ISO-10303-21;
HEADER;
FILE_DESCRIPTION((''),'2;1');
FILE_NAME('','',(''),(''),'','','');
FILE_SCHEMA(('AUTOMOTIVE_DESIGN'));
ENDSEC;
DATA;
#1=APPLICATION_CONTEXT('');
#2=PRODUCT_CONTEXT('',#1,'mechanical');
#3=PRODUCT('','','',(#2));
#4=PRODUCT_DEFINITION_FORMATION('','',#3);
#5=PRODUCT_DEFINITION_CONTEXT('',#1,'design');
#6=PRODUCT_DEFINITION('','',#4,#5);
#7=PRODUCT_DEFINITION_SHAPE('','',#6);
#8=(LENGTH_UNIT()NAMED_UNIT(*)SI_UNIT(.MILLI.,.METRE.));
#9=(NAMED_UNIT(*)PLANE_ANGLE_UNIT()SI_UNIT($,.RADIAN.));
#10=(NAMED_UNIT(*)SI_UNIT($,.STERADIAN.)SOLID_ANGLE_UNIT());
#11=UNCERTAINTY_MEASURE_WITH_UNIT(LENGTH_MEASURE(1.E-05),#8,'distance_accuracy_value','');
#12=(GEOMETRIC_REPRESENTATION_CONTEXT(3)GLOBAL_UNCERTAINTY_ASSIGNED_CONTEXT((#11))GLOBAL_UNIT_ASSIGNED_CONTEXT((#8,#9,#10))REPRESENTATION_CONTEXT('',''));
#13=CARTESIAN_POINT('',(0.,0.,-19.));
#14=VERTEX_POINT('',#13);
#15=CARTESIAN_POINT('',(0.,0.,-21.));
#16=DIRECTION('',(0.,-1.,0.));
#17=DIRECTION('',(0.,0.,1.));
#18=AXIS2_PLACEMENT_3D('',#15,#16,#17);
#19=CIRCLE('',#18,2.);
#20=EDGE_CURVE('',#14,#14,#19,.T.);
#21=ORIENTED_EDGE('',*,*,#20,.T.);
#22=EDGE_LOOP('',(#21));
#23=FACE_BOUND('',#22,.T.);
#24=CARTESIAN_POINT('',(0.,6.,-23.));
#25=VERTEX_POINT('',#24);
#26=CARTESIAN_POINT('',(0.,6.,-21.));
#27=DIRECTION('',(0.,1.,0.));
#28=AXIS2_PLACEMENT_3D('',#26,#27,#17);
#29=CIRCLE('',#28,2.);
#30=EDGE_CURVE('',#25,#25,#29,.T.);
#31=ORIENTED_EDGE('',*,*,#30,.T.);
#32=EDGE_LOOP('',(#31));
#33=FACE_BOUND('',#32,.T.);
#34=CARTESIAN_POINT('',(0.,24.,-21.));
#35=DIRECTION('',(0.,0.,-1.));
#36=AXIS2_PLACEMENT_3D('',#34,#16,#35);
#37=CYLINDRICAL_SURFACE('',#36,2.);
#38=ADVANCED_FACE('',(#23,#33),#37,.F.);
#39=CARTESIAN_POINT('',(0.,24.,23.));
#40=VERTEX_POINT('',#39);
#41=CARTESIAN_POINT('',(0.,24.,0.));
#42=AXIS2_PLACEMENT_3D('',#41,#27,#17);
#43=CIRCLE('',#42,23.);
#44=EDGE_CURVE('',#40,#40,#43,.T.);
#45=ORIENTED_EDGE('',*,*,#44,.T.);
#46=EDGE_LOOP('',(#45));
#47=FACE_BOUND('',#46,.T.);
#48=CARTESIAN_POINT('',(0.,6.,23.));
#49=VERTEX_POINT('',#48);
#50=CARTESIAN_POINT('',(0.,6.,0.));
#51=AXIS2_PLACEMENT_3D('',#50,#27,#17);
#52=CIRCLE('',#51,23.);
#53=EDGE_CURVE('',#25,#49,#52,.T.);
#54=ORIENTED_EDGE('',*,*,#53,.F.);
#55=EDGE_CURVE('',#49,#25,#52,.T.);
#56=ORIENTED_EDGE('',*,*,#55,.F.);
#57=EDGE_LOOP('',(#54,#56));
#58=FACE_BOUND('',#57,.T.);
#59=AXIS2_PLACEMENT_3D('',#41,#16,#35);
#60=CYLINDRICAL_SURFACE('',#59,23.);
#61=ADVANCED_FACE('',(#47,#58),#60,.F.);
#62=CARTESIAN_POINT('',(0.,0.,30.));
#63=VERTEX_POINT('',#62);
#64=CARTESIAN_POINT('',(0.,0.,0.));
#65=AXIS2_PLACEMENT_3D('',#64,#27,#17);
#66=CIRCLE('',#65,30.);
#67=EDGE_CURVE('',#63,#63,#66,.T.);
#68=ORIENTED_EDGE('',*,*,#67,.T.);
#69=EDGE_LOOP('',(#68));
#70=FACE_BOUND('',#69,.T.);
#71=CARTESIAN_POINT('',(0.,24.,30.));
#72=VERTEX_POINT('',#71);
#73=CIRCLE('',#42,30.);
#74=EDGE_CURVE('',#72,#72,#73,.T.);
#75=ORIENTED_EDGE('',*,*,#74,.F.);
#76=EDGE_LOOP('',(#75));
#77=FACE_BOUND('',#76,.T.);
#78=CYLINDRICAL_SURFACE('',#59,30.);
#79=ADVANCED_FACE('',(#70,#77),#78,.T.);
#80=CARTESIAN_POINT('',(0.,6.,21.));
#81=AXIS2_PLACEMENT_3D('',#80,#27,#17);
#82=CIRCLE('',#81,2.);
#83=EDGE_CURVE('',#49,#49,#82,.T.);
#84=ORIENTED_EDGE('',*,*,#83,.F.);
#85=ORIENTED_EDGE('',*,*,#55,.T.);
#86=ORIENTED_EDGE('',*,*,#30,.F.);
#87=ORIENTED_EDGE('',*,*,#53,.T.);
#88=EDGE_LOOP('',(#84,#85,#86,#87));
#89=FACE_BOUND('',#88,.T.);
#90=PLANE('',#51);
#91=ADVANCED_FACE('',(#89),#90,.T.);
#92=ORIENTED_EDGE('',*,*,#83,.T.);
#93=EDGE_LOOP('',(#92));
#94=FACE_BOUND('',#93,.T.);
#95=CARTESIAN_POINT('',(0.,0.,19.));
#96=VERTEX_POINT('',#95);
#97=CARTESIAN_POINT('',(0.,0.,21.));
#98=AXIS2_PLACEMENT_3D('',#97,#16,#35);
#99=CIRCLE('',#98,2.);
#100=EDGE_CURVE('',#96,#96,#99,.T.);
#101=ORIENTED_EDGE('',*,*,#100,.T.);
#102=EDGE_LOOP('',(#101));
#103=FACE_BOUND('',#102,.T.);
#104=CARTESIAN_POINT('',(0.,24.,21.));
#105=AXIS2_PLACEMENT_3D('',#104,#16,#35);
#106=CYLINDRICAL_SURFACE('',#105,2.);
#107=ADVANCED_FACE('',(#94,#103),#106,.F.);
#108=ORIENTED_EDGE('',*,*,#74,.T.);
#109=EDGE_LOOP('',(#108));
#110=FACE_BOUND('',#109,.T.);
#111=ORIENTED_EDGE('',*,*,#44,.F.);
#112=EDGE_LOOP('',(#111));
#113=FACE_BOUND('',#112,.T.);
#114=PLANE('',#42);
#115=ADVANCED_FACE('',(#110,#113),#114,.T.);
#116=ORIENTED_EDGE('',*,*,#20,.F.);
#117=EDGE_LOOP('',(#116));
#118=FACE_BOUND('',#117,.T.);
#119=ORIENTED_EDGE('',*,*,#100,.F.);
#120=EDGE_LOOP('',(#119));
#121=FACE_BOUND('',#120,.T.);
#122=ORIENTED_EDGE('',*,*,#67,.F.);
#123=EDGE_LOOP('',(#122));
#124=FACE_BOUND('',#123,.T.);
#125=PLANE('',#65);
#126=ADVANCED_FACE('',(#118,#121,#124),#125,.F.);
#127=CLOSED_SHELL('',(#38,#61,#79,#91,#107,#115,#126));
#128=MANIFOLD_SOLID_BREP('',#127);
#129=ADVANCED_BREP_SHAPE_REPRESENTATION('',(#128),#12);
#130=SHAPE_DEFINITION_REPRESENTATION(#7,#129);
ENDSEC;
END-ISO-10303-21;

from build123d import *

# Parameters (mm, degrees)
SKETCH1_R           = 30
SKETCH1_R_2         = 23
BOSS_EXTRUDE1_DEPTH = 24
SKETCH1_2_R         = 23
BOSS_EXTRUDE2_DEPTH = 6
SKETCH2_R           = 2
CUT_EXTRUDE1_DEPTH  = 49.744230428


with BuildPart() as part:
    # Sketch1 → Boss-Extrude1 (new body)
    with BuildSketch(Plane(origin=(0, 0, 0), x_dir=(1, 0, 0), z_dir=(0, 1, 0))):
        Circle(SKETCH1_R)
        Circle(SKETCH1_R_2, mode=Mode.SUBTRACT)
    extrude(amount=BOSS_EXTRUDE1_DEPTH)

    # Sketch1<2> → Boss-Extrude2 (add)
    with BuildSketch(Plane(origin=(0, 0, 0), x_dir=(1, 0, 0), z_dir=(0, 1, 0))):
        Circle(SKETCH1_2_R)
    extrude(amount=BOSS_EXTRUDE2_DEPTH)

    # Sketch2 → Cut-Extrude1 (cut, through all)
    with BuildSketch(Plane.XZ):
        with Locations((0, 21)):
            Circle(SKETCH2_R)
        with Locations((0, -21)):
            Circle(SKETCH2_R)
    extrude(amount=-CUT_EXTRUDE1_DEPTH, mode=Mode.SUBTRACT)


solid = part.part
